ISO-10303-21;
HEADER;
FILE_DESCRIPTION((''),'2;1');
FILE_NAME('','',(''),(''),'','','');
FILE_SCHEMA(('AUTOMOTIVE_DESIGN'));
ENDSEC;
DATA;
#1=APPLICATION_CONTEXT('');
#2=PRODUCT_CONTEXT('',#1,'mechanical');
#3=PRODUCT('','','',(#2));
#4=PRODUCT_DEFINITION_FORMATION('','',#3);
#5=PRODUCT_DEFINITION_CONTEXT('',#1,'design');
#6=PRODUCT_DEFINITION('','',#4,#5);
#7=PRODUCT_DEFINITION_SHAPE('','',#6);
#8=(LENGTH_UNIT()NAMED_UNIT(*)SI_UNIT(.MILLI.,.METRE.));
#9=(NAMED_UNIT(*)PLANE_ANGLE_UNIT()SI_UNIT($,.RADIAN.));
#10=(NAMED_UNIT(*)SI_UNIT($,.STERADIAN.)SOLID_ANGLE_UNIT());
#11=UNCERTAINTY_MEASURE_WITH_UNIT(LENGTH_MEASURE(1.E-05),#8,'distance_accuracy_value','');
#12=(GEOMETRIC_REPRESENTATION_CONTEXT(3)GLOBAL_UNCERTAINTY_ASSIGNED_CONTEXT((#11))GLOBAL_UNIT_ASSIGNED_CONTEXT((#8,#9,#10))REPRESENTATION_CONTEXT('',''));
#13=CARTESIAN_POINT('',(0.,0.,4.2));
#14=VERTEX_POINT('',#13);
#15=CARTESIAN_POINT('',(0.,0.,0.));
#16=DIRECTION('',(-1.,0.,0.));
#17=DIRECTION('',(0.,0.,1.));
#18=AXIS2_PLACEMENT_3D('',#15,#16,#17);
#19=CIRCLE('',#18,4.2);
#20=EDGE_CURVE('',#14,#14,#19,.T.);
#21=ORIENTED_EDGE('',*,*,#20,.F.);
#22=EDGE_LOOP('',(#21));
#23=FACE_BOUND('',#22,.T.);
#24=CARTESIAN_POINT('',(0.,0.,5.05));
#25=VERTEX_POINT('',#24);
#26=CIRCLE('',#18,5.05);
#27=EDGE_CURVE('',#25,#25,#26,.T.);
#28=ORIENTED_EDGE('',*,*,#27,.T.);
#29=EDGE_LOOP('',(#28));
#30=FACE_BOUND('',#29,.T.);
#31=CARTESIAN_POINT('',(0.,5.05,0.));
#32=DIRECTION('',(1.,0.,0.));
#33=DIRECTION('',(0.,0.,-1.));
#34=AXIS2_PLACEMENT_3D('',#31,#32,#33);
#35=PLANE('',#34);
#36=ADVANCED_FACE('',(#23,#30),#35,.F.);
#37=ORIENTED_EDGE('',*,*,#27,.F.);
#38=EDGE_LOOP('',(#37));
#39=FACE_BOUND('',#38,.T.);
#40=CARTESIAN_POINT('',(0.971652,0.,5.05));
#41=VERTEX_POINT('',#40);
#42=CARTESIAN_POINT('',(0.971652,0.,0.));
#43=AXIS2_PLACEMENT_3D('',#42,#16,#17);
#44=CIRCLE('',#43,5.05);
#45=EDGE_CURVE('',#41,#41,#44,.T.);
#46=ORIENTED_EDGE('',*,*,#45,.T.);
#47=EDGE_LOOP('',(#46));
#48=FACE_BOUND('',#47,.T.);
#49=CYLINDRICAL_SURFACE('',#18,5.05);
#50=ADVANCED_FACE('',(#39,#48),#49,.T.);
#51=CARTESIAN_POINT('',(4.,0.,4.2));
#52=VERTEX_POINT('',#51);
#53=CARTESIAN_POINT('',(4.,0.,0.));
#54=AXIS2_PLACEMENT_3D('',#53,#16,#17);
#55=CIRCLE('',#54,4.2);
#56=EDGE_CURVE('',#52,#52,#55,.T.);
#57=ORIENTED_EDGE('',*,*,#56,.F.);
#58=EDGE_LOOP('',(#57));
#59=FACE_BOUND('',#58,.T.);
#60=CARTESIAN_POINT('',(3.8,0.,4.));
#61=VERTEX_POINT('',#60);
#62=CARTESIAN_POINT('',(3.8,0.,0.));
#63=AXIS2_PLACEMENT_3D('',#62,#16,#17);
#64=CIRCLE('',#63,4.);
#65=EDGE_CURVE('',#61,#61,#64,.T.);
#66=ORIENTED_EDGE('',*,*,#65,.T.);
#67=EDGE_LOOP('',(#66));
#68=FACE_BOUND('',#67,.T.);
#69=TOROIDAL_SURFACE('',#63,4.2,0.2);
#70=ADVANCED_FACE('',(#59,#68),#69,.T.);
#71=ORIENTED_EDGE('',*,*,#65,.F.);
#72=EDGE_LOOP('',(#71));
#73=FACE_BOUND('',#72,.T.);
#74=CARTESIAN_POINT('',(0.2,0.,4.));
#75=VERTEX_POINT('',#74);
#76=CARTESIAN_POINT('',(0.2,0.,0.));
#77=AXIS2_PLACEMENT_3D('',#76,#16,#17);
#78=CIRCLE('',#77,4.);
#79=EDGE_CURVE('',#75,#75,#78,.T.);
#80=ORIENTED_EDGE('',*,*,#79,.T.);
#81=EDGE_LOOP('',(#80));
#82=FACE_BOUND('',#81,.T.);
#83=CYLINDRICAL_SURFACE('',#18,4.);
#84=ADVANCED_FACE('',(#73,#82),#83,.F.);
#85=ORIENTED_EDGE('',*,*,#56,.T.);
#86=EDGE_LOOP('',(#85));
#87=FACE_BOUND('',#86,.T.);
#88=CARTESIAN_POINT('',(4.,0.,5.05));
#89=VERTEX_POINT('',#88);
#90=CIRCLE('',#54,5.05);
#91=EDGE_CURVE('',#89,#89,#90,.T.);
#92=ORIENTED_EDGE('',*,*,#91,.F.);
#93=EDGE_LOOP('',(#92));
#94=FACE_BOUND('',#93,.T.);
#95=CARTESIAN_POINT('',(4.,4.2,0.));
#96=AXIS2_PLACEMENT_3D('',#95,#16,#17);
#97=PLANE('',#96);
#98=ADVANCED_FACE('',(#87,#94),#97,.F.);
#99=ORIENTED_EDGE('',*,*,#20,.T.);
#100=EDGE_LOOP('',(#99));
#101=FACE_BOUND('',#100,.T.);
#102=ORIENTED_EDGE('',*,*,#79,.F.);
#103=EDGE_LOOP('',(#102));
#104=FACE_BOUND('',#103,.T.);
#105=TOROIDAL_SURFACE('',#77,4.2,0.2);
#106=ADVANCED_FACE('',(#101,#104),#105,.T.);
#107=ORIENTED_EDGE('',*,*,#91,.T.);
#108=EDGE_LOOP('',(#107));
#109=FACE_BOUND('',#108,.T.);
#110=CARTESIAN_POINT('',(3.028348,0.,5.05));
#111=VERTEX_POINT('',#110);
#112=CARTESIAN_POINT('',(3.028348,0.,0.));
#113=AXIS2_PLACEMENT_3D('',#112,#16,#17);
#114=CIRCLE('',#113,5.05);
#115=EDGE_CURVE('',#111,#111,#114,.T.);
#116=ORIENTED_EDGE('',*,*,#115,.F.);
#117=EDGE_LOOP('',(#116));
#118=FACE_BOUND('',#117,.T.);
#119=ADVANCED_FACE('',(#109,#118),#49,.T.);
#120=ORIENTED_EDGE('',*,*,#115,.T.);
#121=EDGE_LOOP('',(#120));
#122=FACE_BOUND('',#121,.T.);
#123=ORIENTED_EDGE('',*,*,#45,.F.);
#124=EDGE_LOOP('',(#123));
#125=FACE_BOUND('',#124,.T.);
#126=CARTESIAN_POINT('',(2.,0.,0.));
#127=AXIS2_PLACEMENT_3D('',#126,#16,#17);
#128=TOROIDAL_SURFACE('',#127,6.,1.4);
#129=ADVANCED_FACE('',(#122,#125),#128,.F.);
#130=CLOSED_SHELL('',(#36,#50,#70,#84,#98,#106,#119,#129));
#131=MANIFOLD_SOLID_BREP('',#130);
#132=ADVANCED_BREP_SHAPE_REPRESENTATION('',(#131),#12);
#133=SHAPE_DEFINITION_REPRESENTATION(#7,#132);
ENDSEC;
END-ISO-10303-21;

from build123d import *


with BuildPart() as part:
    # Esquisse1 → Base-Révolution (revolve)
    with BuildSketch(Plane.XY):
        with BuildLine():
            Line((0, 5.05), (0, 4.2))
            ThreePointArc((0, 4.2), (0.058578644, 4.058578644), (0.2, 4))
            Line((0.2, 4), (3.8, 4))
            ThreePointArc((3.8, 4), (3.941421356, 4.058578644), (4, 4.2))
            Line((4, 4.2), (4, 5.05))
            Line((4, 5.05), (3.02834819, 5.05))
            ThreePointArc((3.02834819, 5.05), (2, 4.6), (0.97165181, 5.05))
            Line((0.97165181, 5.05), (0, 5.05))
        make_face()
    revolve(axis=Axis((0, 0, 0), (1, 0, 0)))


solid = part.part
